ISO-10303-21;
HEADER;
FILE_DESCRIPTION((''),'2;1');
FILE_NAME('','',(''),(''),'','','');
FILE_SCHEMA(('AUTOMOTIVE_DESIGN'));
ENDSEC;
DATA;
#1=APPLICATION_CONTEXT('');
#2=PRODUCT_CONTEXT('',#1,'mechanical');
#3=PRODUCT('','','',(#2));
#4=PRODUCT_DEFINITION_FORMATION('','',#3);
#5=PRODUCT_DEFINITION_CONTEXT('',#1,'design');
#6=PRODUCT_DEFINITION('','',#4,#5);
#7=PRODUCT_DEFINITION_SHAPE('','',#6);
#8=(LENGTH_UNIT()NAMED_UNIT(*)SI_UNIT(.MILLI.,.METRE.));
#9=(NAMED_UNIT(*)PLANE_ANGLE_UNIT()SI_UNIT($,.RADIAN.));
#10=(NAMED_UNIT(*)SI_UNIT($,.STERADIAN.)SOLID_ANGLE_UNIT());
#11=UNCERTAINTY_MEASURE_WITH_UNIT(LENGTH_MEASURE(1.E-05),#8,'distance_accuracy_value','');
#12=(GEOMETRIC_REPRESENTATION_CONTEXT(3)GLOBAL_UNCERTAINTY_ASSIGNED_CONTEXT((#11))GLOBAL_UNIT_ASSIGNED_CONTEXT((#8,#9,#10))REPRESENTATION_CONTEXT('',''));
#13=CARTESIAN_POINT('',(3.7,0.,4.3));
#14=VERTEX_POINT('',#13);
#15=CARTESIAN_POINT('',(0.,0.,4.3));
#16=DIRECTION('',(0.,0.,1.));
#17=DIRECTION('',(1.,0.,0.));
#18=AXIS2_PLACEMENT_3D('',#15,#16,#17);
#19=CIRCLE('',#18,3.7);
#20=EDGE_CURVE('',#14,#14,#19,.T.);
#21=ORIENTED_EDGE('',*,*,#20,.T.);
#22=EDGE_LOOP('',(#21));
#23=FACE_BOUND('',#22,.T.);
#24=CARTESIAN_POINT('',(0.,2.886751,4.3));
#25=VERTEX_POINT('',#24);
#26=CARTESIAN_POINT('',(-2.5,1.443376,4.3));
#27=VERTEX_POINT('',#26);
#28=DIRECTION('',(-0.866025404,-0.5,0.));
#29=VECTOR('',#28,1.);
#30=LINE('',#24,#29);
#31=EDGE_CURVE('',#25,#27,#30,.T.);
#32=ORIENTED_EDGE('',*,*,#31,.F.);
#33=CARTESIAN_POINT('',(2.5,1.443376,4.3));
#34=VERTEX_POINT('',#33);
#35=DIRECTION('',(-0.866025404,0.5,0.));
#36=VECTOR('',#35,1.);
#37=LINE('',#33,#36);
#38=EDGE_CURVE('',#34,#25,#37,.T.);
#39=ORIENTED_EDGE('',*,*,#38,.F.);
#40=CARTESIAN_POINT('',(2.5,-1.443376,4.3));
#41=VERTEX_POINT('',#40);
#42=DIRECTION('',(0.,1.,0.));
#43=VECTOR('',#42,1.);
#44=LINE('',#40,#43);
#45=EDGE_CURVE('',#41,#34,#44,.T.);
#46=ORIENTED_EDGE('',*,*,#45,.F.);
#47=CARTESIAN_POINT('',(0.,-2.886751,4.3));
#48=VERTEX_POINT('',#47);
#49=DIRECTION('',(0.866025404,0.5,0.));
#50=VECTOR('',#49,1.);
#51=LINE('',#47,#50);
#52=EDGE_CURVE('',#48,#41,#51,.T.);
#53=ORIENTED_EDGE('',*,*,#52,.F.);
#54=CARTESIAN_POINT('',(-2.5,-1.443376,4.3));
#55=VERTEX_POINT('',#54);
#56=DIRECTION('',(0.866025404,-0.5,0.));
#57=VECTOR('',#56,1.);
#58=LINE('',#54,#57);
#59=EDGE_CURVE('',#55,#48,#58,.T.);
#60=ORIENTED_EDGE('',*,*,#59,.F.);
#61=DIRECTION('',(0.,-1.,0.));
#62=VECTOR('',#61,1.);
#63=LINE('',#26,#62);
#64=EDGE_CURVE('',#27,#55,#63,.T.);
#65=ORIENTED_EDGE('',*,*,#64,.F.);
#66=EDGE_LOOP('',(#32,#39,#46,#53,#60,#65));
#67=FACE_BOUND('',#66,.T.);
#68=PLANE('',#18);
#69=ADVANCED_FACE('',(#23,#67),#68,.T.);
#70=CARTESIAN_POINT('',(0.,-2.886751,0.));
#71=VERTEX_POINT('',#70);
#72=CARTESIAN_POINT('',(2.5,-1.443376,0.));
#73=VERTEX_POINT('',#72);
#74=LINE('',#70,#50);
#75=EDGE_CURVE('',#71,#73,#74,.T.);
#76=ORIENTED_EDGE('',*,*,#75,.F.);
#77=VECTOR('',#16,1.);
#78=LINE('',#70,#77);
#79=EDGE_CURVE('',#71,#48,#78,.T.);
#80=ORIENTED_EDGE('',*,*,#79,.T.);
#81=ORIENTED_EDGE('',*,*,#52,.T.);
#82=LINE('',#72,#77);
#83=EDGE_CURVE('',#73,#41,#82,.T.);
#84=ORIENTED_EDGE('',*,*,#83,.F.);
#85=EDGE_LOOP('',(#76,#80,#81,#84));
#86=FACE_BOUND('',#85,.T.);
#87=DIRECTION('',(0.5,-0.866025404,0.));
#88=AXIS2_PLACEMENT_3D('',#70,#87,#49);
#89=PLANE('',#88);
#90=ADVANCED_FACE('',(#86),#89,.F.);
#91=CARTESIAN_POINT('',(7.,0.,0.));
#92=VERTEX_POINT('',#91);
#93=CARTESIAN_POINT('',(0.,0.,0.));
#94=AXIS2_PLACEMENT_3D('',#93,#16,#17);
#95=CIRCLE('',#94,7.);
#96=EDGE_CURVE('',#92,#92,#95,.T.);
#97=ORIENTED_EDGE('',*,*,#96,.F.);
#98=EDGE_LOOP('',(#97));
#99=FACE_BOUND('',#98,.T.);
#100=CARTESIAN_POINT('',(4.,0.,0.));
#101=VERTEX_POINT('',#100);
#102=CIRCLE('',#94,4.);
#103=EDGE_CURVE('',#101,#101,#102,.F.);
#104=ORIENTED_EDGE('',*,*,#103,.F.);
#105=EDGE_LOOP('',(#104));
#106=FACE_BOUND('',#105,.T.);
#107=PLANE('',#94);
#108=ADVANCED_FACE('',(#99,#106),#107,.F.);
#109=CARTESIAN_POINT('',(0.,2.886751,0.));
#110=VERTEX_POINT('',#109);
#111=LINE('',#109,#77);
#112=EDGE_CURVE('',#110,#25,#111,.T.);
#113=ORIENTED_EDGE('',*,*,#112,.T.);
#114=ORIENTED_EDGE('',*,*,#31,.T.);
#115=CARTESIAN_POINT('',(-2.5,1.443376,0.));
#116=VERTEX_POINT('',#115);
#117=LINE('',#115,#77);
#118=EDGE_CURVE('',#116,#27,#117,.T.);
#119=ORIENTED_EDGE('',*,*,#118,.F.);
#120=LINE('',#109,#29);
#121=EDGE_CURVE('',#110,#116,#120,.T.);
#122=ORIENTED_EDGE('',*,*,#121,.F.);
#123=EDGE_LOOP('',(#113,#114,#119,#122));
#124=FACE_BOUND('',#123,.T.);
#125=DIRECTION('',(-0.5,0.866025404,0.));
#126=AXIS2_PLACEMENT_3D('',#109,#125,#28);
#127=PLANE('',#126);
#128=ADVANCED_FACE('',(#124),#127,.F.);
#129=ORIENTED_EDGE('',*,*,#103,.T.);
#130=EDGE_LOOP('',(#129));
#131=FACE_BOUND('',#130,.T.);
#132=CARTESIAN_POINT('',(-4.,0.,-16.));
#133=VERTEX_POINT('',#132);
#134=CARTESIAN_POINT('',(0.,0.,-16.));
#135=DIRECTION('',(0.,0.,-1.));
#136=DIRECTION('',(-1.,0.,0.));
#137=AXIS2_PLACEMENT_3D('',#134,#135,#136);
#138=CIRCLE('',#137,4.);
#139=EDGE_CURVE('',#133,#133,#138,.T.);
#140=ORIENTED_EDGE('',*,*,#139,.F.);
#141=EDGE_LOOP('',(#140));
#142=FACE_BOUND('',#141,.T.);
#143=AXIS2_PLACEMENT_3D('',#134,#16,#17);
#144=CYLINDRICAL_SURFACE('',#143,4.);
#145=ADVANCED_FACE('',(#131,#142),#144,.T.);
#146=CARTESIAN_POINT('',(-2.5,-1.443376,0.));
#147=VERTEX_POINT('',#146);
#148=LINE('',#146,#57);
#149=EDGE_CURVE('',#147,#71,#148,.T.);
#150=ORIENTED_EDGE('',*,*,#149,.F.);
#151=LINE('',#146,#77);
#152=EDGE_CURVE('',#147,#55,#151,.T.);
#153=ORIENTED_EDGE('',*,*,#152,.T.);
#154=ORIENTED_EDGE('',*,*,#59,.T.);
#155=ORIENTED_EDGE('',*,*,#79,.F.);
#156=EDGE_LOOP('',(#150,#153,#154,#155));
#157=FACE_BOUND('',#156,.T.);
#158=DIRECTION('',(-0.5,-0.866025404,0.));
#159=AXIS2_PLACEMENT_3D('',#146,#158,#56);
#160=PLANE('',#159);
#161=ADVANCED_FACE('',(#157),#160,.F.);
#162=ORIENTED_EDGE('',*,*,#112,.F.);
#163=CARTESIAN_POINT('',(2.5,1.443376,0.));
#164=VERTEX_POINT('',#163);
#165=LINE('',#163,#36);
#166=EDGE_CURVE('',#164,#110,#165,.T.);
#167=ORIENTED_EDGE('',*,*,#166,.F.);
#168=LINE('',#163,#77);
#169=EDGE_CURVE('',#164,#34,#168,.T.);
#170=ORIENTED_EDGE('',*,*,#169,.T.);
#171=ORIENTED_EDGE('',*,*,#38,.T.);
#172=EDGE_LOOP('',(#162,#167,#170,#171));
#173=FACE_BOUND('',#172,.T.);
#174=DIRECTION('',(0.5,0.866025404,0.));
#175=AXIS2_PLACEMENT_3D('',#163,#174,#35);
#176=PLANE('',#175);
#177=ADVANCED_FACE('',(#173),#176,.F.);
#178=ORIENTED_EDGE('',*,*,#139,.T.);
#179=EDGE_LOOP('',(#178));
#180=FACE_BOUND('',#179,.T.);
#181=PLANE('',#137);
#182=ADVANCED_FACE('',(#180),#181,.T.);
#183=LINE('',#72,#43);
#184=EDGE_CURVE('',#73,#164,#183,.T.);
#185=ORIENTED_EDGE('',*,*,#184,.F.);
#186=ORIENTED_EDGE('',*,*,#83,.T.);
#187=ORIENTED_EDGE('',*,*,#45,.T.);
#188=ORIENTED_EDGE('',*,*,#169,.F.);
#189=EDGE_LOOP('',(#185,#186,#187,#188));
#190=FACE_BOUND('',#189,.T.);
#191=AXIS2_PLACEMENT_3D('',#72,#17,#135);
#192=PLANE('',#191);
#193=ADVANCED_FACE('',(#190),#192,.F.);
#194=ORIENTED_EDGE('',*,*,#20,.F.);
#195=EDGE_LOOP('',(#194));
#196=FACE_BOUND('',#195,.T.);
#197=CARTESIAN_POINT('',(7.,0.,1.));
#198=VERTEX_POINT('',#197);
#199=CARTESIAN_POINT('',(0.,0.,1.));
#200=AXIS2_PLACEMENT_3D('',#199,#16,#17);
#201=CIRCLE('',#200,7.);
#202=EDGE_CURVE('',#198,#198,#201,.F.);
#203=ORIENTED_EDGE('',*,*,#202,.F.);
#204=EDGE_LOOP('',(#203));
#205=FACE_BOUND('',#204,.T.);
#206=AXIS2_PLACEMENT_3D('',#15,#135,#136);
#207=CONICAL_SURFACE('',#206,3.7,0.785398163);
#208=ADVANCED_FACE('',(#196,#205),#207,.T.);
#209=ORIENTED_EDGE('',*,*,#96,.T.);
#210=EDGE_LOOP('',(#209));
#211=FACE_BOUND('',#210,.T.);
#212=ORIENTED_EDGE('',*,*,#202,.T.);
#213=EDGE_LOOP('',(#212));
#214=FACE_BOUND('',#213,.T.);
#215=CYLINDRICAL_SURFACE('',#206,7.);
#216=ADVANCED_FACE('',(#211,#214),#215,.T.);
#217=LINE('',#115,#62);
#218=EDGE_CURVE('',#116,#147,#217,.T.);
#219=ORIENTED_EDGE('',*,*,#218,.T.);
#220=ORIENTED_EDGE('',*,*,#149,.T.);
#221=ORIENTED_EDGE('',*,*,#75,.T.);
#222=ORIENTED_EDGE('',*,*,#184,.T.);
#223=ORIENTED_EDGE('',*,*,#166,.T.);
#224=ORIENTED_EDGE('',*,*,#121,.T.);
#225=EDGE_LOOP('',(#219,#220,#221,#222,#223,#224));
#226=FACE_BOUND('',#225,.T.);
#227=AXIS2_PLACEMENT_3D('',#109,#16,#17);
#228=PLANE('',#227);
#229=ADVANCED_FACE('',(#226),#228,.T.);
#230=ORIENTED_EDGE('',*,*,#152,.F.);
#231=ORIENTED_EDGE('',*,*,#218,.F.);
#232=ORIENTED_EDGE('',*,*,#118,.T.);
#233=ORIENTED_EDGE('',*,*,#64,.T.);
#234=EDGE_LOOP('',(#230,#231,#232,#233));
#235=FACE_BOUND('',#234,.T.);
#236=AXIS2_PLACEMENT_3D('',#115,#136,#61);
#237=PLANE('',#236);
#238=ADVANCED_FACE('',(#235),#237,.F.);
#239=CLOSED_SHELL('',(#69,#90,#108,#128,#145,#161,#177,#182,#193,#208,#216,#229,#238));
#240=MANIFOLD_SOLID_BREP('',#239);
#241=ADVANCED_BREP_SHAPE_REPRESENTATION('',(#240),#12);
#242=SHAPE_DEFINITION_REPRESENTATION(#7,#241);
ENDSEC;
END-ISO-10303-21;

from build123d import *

# Parameters (mm, degrees)
SKETCH1_R           = 7
BASE_EXTRUDE_DEPTH  = 4.3
SKETCH2_R           = 4
BOSS_EXTRUDE1_DEPTH = 16
CUT_EXTRUDE1_DEPTH  = 4.3
CHAMFER1_SIZE       = 3.3


with BuildPart() as part:
    # Sketch1 → Base-Extrude (new body)
    with BuildSketch(Plane.XY):
        Circle(SKETCH1_R)
    extrude(amount=BASE_EXTRUDE_DEPTH)

    # Sketch2 → Boss-Extrude1 (add)
    with BuildSketch(Plane(origin=(0, 0, 0), x_dir=(-1, 0, 0), z_dir=(0, 0, -1))):
        Circle(SKETCH2_R)
    extrude(amount=BOSS_EXTRUDE1_DEPTH)

    # Sketch3 → Cut-Extrude1 (cut)
    with BuildSketch(Plane.XY.offset(4.3)):
        Polygon((0, 2.886751346), (-2.5, 1.443375673), (-2.5, -1.443375673), (0, -2.886751346), (2.5, -1.443375673), (2.5, 1.443375673), align=None)
    extrude(amount=-CUT_EXTRUDE1_DEPTH, mode=Mode.SUBTRACT)

    # Chamfer1
    chamfer1_edges = [part.edges().sort_by_distance(p)[0] for p in [
        (-7, 0, 4.3),
    ]]
    chamfer(chamfer1_edges, length=CHAMFER1_SIZE)


solid = part.part
